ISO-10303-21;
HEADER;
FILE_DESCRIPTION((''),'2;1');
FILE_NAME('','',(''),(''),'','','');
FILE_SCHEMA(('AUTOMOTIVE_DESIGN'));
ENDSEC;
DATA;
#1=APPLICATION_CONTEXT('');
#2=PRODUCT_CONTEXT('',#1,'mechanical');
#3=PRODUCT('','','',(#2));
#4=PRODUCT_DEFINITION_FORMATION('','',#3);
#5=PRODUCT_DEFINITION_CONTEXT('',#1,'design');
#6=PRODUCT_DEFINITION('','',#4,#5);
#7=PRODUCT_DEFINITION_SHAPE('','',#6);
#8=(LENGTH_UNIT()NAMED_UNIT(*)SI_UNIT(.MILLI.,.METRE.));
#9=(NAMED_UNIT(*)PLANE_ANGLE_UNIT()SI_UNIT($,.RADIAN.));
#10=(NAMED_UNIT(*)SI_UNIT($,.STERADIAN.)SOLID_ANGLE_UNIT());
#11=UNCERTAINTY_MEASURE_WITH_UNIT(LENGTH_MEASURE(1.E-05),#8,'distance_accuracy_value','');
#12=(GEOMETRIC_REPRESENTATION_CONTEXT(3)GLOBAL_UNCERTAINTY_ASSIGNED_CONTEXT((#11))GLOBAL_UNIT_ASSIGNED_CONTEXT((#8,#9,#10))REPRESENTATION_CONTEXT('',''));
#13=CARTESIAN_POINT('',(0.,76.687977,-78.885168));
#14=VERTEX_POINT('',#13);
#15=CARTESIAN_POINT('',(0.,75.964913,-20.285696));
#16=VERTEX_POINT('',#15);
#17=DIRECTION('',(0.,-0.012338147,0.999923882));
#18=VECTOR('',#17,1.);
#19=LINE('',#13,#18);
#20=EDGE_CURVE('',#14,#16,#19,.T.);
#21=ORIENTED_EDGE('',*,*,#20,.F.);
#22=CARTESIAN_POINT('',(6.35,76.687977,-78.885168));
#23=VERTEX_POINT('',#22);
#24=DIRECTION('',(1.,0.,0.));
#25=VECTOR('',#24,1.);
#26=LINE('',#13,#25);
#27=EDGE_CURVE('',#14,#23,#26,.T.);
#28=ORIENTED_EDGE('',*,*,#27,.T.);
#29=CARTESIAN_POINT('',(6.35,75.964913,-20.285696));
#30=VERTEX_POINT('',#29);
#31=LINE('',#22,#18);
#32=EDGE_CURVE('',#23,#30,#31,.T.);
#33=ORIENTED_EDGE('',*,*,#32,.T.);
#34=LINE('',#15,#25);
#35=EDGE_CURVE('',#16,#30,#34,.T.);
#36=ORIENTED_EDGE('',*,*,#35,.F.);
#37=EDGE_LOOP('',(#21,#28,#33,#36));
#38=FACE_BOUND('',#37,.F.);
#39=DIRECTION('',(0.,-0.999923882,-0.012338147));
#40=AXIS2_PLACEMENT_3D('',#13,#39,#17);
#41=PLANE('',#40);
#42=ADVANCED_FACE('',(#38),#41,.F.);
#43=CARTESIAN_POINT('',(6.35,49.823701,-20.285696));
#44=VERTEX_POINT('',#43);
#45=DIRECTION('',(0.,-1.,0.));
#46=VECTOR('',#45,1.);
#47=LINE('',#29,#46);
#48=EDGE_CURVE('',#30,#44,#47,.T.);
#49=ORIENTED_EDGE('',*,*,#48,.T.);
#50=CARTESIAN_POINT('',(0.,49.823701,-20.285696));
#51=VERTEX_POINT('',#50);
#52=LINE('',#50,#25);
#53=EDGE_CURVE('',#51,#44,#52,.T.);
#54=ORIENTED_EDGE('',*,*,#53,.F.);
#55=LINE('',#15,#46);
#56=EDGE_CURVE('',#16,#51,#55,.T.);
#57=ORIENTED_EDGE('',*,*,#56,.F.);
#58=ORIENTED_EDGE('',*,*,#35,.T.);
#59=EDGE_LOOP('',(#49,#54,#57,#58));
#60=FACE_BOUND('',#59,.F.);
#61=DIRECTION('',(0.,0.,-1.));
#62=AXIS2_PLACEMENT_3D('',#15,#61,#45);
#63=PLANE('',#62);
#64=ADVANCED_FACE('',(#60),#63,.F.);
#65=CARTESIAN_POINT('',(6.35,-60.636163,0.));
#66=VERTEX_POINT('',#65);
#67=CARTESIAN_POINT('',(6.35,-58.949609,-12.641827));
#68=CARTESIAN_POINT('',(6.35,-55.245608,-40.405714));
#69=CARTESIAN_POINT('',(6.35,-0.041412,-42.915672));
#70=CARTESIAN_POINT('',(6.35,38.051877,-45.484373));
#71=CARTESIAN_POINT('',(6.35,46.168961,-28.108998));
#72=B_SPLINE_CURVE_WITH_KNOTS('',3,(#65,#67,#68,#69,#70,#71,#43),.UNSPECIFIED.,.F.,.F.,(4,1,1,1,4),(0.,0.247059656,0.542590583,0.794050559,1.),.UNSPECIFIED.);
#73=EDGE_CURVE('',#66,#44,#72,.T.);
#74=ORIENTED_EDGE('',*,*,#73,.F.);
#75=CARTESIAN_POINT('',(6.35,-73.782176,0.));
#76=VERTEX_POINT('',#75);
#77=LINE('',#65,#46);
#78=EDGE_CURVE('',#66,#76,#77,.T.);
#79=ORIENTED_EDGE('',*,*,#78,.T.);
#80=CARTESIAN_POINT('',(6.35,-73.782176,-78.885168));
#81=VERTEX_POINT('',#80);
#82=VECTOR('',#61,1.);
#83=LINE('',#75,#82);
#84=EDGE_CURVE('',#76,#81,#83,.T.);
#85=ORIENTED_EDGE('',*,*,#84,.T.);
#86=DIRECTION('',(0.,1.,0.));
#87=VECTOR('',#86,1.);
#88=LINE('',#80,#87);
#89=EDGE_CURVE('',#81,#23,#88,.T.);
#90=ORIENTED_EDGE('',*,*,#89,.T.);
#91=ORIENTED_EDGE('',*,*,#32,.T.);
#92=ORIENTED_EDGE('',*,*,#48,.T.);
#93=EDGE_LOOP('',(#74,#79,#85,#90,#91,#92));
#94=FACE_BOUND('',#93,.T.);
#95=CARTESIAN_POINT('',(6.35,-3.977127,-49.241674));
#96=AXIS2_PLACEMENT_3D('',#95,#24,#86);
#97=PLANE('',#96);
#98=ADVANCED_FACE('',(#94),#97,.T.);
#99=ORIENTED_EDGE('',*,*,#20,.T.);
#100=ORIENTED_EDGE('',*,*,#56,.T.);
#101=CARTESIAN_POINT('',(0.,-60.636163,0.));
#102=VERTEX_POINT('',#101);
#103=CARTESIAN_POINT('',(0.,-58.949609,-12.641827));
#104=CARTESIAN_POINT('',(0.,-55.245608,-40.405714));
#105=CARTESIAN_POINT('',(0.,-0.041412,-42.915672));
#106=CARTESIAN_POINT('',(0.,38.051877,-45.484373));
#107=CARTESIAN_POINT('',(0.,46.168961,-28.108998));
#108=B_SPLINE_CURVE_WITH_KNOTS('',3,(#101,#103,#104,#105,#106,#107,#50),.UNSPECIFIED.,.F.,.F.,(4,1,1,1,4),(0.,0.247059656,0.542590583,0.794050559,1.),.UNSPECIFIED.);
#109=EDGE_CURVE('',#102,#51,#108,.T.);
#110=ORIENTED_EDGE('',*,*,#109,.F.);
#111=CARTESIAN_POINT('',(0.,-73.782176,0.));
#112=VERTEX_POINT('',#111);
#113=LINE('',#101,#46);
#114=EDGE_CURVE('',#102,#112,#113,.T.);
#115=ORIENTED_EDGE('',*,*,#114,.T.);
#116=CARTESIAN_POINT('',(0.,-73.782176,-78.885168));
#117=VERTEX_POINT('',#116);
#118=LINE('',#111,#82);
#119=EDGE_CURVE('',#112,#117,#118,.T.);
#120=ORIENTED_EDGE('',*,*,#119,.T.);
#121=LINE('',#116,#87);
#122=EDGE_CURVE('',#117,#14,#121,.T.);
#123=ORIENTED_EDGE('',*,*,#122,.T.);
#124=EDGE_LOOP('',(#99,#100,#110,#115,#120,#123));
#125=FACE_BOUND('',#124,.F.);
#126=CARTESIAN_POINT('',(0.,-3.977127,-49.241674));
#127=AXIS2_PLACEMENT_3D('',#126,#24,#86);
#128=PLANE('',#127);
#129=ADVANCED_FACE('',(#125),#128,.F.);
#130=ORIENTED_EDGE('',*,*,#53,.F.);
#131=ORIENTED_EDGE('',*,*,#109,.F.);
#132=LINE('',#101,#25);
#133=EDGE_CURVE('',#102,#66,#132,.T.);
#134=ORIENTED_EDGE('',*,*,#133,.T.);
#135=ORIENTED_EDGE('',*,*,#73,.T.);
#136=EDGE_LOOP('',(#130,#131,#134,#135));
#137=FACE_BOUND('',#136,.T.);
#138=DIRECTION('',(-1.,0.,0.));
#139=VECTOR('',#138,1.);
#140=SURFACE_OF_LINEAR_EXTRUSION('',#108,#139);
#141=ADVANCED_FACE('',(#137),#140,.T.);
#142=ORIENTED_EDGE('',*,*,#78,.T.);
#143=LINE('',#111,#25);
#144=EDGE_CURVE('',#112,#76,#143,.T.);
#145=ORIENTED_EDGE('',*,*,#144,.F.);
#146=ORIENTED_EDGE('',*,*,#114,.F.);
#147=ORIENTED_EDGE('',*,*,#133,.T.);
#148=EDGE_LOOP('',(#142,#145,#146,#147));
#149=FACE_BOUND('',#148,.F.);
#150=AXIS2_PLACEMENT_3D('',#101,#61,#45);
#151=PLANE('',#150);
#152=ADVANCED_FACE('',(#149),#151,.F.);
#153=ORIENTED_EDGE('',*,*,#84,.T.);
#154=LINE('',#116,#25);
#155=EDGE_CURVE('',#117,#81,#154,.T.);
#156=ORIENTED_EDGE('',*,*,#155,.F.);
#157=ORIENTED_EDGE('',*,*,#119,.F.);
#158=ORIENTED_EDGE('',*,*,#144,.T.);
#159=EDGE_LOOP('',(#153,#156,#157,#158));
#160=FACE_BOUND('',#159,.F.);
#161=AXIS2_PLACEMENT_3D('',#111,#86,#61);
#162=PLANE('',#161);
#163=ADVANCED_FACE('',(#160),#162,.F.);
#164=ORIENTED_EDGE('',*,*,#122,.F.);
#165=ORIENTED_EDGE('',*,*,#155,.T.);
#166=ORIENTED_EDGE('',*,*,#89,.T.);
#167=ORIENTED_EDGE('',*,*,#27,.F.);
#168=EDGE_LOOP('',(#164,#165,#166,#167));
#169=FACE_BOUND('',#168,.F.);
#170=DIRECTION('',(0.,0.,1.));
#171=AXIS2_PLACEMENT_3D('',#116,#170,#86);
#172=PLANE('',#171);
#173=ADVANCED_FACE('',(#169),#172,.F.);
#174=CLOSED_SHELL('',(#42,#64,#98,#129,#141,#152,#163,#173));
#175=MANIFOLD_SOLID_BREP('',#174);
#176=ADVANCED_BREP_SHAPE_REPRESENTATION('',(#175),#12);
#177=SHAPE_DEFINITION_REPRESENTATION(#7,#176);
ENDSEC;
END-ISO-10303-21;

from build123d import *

# Parameters (mm, degrees)
F1_DEPTH = 6.35


with BuildPart() as f1:
    # F0 (on Right) → F1 (new body)
    with BuildSketch(Plane.YZ):
        with BuildLine():
            Line((-60.6361627579, 0), (-73.7821757793, 0))
            Line((-73.7821757793, 0), (-73.7821757793, -78.8851678371))
            Line((-73.7821757793, -78.8851678371), (76.6879767179, -78.8851678371))
            Line((76.6879767179, -78.8851678371), (75.9649127722, -20.2856957912))
            Line((75.9649127722, -20.2856957912), (49.8237013817, -20.2856957912))
            add(Edge.make_bspline(
                [(-60.6361627579, 0), (-58.9496086103, -12.6418269792), (-55.2456075907, -40.4057135173), (-0.0414123807, -42.9156722914), (38.0518770405, -45.4843726395), (46.1689611649, -28.1089977319), (49.8237013817, -20.2856957912)],
                knots=[0, 0, 0, 0, 0.2470596562, 0.542590583, 0.7940505588, 1, 1, 1, 1], degree=3))
        make_face()
    extrude(amount=F1_DEPTH)


solid = f1.part
